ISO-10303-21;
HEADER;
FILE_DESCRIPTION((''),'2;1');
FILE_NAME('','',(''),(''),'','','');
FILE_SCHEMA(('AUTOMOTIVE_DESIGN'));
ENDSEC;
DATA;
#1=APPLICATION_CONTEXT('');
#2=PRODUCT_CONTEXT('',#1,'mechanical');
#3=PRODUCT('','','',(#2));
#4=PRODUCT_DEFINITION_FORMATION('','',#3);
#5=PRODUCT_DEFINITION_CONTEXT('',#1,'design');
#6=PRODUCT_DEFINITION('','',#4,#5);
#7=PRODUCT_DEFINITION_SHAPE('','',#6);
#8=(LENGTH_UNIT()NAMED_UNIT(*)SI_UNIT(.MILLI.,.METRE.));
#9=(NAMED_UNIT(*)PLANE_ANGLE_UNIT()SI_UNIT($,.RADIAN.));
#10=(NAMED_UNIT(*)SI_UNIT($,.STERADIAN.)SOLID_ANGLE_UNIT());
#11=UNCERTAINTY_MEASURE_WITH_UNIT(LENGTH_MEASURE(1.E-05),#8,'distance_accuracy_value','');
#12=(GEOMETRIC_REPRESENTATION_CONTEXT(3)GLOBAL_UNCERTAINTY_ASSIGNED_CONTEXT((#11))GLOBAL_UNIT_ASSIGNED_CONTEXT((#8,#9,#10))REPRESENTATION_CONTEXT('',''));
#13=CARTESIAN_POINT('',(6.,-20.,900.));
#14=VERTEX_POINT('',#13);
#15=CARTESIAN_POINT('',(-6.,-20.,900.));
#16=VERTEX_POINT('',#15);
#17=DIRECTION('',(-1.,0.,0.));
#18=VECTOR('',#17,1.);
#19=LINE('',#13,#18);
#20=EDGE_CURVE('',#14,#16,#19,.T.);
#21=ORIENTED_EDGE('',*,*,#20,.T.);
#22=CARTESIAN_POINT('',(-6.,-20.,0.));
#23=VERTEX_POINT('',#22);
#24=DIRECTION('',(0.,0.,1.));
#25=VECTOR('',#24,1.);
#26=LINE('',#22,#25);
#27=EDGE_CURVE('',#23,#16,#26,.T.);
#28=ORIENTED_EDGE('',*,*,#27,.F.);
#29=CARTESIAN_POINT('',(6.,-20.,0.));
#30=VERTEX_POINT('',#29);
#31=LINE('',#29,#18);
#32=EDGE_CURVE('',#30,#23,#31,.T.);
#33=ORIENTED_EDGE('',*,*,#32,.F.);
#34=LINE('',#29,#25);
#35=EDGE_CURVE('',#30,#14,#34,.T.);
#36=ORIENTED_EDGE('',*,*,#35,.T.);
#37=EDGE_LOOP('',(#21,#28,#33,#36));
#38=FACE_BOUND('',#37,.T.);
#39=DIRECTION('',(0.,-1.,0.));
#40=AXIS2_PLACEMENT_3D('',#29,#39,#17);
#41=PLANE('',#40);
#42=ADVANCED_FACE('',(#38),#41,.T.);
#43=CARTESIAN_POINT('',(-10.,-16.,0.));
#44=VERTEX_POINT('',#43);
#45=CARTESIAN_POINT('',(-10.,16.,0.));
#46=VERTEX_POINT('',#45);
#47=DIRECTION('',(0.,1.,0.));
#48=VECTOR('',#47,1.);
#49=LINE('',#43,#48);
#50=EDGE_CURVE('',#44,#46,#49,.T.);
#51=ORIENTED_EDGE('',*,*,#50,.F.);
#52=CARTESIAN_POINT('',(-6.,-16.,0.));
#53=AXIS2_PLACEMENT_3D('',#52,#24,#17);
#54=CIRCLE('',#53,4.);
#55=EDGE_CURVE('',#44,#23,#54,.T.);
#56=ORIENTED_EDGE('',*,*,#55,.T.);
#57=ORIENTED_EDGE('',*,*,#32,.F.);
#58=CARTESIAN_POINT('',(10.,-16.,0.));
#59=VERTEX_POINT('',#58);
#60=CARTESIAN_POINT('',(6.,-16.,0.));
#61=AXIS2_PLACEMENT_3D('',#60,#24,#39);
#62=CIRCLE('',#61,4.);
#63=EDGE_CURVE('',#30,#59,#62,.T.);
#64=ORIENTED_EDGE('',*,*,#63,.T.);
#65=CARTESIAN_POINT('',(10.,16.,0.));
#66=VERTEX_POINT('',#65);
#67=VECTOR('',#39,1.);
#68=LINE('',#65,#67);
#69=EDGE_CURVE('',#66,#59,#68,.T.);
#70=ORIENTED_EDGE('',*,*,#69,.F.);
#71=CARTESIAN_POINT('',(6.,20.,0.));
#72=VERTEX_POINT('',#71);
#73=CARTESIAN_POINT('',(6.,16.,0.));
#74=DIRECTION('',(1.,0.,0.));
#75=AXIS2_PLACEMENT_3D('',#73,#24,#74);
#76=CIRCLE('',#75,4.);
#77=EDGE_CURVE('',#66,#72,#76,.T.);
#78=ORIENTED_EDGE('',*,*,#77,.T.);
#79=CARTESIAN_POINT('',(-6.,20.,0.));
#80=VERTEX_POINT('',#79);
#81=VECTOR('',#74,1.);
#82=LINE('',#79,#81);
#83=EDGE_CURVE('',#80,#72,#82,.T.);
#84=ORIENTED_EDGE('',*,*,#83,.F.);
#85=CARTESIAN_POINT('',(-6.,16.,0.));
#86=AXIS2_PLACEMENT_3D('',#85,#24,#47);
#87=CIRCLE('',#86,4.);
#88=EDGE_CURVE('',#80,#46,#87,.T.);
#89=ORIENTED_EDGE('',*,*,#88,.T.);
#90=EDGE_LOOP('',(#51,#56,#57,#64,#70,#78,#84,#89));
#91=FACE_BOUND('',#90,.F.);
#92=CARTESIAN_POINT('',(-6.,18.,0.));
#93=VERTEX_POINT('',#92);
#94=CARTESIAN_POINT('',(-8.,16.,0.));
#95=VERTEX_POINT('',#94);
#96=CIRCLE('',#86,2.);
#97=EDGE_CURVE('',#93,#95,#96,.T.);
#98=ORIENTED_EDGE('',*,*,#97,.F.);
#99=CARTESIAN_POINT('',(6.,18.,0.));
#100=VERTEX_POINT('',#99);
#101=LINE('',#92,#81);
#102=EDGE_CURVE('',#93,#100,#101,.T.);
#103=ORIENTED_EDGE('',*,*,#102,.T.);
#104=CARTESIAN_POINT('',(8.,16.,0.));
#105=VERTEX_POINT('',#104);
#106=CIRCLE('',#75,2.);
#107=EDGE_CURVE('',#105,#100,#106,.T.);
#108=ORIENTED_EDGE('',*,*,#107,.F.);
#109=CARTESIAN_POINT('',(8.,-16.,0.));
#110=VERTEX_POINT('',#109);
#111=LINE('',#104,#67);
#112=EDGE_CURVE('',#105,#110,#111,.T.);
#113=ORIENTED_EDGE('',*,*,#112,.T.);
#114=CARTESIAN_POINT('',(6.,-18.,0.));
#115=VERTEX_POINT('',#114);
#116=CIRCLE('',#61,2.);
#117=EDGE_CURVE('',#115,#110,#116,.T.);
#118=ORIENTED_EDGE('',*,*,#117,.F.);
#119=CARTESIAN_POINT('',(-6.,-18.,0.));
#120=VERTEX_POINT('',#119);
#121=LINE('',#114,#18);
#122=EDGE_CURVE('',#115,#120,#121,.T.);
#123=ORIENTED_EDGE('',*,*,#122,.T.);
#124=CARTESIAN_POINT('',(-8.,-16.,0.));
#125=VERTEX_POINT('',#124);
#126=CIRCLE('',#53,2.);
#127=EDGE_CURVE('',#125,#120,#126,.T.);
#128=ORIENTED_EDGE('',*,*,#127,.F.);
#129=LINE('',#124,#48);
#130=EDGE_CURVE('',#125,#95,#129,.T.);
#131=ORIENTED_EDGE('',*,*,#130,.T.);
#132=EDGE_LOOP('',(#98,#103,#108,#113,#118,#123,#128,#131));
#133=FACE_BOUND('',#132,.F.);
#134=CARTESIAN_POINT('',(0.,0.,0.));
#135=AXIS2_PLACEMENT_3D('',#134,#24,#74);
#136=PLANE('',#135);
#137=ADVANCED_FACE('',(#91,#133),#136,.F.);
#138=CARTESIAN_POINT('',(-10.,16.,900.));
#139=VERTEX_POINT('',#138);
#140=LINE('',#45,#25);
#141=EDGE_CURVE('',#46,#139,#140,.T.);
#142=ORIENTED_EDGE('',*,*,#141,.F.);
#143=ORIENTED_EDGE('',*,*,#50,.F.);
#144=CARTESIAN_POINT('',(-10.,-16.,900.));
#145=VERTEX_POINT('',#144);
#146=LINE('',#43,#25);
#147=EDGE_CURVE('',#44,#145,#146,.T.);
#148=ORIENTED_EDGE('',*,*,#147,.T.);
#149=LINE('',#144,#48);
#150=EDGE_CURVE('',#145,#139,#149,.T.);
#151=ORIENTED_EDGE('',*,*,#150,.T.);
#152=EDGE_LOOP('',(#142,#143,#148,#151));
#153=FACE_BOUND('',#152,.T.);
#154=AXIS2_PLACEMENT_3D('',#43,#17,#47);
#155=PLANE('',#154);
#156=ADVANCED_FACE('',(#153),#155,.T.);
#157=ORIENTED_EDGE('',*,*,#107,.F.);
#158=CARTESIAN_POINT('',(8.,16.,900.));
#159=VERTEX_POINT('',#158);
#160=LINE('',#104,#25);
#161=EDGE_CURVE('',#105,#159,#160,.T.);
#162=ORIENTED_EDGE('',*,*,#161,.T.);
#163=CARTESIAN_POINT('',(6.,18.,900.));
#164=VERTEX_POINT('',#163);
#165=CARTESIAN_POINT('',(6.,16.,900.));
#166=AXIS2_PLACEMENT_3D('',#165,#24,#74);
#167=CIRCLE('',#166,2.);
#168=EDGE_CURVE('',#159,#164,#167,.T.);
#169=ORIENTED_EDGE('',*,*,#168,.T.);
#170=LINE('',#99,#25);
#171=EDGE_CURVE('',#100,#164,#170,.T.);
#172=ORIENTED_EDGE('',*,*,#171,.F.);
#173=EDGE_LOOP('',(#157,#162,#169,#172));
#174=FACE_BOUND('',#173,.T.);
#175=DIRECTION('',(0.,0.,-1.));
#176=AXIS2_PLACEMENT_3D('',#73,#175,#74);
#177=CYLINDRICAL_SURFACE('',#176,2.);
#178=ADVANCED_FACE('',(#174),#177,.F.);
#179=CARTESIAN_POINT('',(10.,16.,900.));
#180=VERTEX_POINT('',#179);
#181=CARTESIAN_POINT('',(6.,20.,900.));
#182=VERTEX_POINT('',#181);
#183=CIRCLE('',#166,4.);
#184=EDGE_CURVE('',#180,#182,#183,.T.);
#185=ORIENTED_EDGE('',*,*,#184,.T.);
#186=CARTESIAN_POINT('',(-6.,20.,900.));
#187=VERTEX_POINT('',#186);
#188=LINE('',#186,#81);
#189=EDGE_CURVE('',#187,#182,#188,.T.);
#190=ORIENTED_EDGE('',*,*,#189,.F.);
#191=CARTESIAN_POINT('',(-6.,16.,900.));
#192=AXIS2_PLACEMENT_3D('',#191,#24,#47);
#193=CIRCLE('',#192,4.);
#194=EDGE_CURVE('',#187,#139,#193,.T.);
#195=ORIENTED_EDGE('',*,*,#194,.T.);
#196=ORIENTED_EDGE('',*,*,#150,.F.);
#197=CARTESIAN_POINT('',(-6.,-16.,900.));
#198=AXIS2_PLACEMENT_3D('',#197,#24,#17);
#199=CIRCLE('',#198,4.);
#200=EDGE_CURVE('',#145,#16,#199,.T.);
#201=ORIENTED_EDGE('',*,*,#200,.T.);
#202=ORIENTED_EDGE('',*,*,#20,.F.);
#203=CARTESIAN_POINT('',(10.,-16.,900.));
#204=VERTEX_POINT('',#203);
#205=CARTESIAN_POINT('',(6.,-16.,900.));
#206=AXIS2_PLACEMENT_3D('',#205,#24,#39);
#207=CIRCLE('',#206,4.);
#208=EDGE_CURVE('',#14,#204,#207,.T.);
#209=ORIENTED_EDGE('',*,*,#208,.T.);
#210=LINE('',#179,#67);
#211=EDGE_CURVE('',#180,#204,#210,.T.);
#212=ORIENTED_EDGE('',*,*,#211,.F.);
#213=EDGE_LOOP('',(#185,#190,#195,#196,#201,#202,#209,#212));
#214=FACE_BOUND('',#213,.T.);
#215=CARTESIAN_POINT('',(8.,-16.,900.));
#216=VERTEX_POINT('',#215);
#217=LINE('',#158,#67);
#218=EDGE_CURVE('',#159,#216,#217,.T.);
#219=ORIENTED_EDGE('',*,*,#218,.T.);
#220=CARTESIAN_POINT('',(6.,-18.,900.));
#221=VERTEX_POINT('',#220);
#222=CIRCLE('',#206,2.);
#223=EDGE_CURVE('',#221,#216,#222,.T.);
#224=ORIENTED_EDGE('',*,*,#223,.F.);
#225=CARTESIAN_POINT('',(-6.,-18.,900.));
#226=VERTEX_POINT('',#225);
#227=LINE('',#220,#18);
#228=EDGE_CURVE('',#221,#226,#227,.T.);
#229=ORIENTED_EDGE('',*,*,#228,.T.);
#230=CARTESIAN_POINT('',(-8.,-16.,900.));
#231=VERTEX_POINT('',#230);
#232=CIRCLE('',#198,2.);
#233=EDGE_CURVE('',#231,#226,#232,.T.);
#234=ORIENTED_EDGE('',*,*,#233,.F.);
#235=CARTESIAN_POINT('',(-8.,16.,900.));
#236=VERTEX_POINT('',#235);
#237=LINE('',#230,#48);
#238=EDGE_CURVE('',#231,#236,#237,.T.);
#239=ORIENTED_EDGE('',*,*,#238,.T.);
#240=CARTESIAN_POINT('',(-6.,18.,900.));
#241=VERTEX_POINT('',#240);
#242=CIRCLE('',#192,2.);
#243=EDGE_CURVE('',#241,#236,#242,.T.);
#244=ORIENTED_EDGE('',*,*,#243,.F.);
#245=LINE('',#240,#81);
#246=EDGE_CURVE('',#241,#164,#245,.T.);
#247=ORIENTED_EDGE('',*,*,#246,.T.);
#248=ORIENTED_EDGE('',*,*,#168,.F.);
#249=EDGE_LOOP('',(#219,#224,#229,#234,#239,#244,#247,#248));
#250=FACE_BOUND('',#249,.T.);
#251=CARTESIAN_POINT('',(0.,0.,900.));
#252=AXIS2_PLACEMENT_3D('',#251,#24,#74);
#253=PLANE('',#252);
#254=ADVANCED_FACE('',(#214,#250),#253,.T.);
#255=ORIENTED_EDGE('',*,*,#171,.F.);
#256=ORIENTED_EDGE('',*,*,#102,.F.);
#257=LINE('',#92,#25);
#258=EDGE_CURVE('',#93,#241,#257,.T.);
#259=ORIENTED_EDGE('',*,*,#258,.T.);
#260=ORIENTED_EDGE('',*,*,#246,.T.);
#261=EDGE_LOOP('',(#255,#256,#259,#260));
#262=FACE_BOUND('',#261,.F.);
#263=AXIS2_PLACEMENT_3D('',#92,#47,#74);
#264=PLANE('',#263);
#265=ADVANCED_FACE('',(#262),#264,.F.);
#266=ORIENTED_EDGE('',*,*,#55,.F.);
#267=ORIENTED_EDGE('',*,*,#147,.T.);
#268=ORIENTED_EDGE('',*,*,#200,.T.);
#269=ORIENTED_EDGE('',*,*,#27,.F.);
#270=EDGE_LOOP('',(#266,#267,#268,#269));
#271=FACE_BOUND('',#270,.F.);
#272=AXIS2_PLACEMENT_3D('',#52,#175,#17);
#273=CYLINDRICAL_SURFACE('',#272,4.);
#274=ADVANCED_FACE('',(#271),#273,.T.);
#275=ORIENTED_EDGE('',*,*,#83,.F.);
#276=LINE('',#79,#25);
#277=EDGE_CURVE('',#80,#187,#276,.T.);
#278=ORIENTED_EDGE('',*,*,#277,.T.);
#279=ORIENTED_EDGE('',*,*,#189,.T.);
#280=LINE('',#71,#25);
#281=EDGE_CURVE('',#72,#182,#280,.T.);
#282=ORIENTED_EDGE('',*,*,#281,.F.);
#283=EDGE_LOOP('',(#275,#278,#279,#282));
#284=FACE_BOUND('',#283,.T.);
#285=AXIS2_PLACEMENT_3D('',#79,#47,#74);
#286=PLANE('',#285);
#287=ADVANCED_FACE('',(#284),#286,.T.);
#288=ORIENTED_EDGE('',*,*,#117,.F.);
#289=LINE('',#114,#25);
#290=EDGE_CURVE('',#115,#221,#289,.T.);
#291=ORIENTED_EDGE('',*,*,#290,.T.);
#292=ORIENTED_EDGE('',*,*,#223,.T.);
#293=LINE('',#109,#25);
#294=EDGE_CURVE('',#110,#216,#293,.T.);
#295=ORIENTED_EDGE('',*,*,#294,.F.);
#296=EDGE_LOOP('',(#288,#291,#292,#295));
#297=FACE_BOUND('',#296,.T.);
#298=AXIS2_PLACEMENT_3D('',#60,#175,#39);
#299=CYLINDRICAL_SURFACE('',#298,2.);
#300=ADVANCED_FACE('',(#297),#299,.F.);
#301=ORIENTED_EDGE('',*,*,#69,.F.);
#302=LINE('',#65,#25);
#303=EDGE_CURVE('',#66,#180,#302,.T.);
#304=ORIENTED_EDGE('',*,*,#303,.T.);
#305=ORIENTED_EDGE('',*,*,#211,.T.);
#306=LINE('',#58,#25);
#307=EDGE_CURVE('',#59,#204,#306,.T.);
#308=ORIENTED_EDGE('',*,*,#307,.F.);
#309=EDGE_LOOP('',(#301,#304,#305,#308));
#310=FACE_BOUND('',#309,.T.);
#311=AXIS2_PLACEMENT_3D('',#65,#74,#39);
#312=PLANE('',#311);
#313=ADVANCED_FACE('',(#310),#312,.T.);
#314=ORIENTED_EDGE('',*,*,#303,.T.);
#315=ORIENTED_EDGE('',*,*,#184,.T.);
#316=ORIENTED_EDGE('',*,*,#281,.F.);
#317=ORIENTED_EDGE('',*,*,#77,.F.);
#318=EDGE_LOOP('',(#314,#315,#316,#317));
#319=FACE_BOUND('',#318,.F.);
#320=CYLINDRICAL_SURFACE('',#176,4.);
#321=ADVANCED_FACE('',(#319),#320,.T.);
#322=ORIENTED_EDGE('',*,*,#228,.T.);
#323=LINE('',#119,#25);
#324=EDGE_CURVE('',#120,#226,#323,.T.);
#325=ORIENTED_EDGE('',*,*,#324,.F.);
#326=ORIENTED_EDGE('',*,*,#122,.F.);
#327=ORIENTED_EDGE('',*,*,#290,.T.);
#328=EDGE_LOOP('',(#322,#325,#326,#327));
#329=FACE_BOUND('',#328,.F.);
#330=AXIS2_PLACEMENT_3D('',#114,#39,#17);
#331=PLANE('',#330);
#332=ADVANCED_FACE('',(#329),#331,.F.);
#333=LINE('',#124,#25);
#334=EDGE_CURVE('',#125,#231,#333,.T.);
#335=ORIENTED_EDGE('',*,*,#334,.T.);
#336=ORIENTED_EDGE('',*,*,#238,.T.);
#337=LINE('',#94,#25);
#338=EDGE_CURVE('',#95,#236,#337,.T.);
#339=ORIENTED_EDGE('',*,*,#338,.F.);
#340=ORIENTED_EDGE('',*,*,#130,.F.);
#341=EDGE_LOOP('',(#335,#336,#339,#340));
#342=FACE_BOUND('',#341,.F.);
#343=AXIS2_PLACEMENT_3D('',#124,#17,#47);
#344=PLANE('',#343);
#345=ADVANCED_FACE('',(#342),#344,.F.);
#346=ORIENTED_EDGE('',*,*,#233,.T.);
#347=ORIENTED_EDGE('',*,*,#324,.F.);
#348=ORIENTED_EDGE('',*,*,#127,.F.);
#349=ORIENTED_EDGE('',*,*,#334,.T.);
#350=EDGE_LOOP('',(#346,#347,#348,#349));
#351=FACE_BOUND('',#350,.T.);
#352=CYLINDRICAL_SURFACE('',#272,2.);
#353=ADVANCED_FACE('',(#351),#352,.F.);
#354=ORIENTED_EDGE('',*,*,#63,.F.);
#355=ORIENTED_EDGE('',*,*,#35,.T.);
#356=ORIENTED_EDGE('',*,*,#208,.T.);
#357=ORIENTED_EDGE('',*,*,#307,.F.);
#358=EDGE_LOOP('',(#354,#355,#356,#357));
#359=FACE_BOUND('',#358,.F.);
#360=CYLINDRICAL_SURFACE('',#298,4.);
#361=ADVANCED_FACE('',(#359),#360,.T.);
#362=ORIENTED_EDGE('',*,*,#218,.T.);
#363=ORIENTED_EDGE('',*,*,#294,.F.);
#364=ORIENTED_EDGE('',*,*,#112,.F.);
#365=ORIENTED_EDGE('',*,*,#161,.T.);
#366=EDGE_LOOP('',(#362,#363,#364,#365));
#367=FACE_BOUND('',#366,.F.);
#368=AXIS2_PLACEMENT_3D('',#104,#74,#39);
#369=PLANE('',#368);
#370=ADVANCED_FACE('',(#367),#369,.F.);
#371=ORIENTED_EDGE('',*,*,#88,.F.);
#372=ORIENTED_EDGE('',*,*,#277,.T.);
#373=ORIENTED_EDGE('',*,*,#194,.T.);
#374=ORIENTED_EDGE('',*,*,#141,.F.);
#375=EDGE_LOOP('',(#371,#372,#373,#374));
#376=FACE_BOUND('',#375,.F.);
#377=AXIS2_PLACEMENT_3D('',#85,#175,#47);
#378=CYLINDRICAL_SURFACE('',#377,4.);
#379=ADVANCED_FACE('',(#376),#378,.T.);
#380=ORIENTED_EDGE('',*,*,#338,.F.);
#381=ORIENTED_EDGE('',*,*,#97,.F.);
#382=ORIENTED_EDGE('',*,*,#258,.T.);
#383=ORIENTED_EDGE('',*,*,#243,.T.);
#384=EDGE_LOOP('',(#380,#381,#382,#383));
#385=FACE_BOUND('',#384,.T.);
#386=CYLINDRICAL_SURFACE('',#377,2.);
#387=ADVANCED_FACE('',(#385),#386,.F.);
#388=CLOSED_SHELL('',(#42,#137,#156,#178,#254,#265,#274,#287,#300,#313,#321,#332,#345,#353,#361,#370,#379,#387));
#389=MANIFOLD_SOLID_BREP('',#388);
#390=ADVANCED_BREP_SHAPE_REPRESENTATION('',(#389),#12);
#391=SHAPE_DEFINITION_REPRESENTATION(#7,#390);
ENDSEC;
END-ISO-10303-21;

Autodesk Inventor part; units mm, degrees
ref_plane "YZ Plane" through (0, 0, 0) normal (1, 0, 0) x (0, 1, 0)
ref_plane "Start Plane" through (0, 0, 0) normal (0, 0, 1) x (1, 0, 0)
ref_plane "End Plane" through (0, 0, 900) normal (0, 0, 1) x (1, 0, 0)
sketch "Sketch" plane through (0, 0, 0) normal (0, 0, 1) x (1, 0, 0)
  line L0 (-10, -16) -> (-10, 16)
  line L1 (-6, 20) -> (6, 20)
  line L2 (10, 16) -> (10, -16)
  line L3 (6, -20) -> (-6, -20)
  arc A0 (-10, -16) -> (-6, -20) centre (-6, -16) ccw
  arc A1 (10, 16) -> (6, 20) centre (6, 16) ccw
  arc A2 (-6, 20) -> (-10, 16) centre (-6, 16) ccw
  arc A3 (6, -20) -> (10, -16) centre (6, -16) ccw
  arc A4 (-6, 18) -> (-8, 16) centre (-6, 16) ccw
  line L4 (-6, 18) -> (6, 18)
  arc A5 (8, 16) -> (6, 18) centre (6, 16) ccw
  line L5 (8, 16) -> (8, -16)
  arc A6 (6, -18) -> (8, -16) centre (6, -16) ccw
  line L6 (6, -18) -> (-6, -18)
  arc A7 (-8, -16) -> (-6, -18) centre (-6, -16) ccw
  line L7 (-8, -16) -> (-8, 16)
  line L8 (0, 29.1598) -> (0, -29.1598) construction
  line L9 (-15.1598, 0) -> (15.1598, 0) construction
  dimension "d7" = 4
  dimension "d9" = 20
  dimension "d11" = 40
  dimension "d12" = 2
  dimension "d15" = 10
  dimension "d16" = 20
extrude "Body" add sketch "Sketch" along normal up to surface (900 mm away) from surface at 0
sketch "Sketch3" plane through (0, 0, 0) normal (0, 0, 1) x (1, 0, 0)
  line L0 (0, 0) -> (10, 0)
ref_plane "Work Plane3" through (0, 0, 0) normal (0, -1, 0) x (1, 0, 0)
sketch "Sketch4" plane through (0, 0, 0) normal (0, -1, 0) x (1, 0, 0)
  line L0 (-2, 0) -> (12, 0)
  line L1 (-2, 900) -> (12, 900)
  dimension "d18" = 900
equation "\"d7\" = G_IR"
equation "\"d9\" = G_W"
equation "\"d11\" = G_H"
equation "\"d12\" = G_T"
equation "\"d15\" = 0.5 * d9"
equation "\"d16\" = 0.5 * d11"
equation "\"d3\" = G_L"
equation "\"G_W\" = 20"
equation "\"G_H\" = 40"
equation "\"G_T\" = 2"
equation "\"G_IR\" = 4"
equation "\"G_L\" = d18"
equation "\"G_OFFSET_START\" = 0"
equation "\"G_OFFSET_END\" = 0"
properties part number "ISO 10799-2 - 40x20x2 - 900" material "Steel, Mild"
